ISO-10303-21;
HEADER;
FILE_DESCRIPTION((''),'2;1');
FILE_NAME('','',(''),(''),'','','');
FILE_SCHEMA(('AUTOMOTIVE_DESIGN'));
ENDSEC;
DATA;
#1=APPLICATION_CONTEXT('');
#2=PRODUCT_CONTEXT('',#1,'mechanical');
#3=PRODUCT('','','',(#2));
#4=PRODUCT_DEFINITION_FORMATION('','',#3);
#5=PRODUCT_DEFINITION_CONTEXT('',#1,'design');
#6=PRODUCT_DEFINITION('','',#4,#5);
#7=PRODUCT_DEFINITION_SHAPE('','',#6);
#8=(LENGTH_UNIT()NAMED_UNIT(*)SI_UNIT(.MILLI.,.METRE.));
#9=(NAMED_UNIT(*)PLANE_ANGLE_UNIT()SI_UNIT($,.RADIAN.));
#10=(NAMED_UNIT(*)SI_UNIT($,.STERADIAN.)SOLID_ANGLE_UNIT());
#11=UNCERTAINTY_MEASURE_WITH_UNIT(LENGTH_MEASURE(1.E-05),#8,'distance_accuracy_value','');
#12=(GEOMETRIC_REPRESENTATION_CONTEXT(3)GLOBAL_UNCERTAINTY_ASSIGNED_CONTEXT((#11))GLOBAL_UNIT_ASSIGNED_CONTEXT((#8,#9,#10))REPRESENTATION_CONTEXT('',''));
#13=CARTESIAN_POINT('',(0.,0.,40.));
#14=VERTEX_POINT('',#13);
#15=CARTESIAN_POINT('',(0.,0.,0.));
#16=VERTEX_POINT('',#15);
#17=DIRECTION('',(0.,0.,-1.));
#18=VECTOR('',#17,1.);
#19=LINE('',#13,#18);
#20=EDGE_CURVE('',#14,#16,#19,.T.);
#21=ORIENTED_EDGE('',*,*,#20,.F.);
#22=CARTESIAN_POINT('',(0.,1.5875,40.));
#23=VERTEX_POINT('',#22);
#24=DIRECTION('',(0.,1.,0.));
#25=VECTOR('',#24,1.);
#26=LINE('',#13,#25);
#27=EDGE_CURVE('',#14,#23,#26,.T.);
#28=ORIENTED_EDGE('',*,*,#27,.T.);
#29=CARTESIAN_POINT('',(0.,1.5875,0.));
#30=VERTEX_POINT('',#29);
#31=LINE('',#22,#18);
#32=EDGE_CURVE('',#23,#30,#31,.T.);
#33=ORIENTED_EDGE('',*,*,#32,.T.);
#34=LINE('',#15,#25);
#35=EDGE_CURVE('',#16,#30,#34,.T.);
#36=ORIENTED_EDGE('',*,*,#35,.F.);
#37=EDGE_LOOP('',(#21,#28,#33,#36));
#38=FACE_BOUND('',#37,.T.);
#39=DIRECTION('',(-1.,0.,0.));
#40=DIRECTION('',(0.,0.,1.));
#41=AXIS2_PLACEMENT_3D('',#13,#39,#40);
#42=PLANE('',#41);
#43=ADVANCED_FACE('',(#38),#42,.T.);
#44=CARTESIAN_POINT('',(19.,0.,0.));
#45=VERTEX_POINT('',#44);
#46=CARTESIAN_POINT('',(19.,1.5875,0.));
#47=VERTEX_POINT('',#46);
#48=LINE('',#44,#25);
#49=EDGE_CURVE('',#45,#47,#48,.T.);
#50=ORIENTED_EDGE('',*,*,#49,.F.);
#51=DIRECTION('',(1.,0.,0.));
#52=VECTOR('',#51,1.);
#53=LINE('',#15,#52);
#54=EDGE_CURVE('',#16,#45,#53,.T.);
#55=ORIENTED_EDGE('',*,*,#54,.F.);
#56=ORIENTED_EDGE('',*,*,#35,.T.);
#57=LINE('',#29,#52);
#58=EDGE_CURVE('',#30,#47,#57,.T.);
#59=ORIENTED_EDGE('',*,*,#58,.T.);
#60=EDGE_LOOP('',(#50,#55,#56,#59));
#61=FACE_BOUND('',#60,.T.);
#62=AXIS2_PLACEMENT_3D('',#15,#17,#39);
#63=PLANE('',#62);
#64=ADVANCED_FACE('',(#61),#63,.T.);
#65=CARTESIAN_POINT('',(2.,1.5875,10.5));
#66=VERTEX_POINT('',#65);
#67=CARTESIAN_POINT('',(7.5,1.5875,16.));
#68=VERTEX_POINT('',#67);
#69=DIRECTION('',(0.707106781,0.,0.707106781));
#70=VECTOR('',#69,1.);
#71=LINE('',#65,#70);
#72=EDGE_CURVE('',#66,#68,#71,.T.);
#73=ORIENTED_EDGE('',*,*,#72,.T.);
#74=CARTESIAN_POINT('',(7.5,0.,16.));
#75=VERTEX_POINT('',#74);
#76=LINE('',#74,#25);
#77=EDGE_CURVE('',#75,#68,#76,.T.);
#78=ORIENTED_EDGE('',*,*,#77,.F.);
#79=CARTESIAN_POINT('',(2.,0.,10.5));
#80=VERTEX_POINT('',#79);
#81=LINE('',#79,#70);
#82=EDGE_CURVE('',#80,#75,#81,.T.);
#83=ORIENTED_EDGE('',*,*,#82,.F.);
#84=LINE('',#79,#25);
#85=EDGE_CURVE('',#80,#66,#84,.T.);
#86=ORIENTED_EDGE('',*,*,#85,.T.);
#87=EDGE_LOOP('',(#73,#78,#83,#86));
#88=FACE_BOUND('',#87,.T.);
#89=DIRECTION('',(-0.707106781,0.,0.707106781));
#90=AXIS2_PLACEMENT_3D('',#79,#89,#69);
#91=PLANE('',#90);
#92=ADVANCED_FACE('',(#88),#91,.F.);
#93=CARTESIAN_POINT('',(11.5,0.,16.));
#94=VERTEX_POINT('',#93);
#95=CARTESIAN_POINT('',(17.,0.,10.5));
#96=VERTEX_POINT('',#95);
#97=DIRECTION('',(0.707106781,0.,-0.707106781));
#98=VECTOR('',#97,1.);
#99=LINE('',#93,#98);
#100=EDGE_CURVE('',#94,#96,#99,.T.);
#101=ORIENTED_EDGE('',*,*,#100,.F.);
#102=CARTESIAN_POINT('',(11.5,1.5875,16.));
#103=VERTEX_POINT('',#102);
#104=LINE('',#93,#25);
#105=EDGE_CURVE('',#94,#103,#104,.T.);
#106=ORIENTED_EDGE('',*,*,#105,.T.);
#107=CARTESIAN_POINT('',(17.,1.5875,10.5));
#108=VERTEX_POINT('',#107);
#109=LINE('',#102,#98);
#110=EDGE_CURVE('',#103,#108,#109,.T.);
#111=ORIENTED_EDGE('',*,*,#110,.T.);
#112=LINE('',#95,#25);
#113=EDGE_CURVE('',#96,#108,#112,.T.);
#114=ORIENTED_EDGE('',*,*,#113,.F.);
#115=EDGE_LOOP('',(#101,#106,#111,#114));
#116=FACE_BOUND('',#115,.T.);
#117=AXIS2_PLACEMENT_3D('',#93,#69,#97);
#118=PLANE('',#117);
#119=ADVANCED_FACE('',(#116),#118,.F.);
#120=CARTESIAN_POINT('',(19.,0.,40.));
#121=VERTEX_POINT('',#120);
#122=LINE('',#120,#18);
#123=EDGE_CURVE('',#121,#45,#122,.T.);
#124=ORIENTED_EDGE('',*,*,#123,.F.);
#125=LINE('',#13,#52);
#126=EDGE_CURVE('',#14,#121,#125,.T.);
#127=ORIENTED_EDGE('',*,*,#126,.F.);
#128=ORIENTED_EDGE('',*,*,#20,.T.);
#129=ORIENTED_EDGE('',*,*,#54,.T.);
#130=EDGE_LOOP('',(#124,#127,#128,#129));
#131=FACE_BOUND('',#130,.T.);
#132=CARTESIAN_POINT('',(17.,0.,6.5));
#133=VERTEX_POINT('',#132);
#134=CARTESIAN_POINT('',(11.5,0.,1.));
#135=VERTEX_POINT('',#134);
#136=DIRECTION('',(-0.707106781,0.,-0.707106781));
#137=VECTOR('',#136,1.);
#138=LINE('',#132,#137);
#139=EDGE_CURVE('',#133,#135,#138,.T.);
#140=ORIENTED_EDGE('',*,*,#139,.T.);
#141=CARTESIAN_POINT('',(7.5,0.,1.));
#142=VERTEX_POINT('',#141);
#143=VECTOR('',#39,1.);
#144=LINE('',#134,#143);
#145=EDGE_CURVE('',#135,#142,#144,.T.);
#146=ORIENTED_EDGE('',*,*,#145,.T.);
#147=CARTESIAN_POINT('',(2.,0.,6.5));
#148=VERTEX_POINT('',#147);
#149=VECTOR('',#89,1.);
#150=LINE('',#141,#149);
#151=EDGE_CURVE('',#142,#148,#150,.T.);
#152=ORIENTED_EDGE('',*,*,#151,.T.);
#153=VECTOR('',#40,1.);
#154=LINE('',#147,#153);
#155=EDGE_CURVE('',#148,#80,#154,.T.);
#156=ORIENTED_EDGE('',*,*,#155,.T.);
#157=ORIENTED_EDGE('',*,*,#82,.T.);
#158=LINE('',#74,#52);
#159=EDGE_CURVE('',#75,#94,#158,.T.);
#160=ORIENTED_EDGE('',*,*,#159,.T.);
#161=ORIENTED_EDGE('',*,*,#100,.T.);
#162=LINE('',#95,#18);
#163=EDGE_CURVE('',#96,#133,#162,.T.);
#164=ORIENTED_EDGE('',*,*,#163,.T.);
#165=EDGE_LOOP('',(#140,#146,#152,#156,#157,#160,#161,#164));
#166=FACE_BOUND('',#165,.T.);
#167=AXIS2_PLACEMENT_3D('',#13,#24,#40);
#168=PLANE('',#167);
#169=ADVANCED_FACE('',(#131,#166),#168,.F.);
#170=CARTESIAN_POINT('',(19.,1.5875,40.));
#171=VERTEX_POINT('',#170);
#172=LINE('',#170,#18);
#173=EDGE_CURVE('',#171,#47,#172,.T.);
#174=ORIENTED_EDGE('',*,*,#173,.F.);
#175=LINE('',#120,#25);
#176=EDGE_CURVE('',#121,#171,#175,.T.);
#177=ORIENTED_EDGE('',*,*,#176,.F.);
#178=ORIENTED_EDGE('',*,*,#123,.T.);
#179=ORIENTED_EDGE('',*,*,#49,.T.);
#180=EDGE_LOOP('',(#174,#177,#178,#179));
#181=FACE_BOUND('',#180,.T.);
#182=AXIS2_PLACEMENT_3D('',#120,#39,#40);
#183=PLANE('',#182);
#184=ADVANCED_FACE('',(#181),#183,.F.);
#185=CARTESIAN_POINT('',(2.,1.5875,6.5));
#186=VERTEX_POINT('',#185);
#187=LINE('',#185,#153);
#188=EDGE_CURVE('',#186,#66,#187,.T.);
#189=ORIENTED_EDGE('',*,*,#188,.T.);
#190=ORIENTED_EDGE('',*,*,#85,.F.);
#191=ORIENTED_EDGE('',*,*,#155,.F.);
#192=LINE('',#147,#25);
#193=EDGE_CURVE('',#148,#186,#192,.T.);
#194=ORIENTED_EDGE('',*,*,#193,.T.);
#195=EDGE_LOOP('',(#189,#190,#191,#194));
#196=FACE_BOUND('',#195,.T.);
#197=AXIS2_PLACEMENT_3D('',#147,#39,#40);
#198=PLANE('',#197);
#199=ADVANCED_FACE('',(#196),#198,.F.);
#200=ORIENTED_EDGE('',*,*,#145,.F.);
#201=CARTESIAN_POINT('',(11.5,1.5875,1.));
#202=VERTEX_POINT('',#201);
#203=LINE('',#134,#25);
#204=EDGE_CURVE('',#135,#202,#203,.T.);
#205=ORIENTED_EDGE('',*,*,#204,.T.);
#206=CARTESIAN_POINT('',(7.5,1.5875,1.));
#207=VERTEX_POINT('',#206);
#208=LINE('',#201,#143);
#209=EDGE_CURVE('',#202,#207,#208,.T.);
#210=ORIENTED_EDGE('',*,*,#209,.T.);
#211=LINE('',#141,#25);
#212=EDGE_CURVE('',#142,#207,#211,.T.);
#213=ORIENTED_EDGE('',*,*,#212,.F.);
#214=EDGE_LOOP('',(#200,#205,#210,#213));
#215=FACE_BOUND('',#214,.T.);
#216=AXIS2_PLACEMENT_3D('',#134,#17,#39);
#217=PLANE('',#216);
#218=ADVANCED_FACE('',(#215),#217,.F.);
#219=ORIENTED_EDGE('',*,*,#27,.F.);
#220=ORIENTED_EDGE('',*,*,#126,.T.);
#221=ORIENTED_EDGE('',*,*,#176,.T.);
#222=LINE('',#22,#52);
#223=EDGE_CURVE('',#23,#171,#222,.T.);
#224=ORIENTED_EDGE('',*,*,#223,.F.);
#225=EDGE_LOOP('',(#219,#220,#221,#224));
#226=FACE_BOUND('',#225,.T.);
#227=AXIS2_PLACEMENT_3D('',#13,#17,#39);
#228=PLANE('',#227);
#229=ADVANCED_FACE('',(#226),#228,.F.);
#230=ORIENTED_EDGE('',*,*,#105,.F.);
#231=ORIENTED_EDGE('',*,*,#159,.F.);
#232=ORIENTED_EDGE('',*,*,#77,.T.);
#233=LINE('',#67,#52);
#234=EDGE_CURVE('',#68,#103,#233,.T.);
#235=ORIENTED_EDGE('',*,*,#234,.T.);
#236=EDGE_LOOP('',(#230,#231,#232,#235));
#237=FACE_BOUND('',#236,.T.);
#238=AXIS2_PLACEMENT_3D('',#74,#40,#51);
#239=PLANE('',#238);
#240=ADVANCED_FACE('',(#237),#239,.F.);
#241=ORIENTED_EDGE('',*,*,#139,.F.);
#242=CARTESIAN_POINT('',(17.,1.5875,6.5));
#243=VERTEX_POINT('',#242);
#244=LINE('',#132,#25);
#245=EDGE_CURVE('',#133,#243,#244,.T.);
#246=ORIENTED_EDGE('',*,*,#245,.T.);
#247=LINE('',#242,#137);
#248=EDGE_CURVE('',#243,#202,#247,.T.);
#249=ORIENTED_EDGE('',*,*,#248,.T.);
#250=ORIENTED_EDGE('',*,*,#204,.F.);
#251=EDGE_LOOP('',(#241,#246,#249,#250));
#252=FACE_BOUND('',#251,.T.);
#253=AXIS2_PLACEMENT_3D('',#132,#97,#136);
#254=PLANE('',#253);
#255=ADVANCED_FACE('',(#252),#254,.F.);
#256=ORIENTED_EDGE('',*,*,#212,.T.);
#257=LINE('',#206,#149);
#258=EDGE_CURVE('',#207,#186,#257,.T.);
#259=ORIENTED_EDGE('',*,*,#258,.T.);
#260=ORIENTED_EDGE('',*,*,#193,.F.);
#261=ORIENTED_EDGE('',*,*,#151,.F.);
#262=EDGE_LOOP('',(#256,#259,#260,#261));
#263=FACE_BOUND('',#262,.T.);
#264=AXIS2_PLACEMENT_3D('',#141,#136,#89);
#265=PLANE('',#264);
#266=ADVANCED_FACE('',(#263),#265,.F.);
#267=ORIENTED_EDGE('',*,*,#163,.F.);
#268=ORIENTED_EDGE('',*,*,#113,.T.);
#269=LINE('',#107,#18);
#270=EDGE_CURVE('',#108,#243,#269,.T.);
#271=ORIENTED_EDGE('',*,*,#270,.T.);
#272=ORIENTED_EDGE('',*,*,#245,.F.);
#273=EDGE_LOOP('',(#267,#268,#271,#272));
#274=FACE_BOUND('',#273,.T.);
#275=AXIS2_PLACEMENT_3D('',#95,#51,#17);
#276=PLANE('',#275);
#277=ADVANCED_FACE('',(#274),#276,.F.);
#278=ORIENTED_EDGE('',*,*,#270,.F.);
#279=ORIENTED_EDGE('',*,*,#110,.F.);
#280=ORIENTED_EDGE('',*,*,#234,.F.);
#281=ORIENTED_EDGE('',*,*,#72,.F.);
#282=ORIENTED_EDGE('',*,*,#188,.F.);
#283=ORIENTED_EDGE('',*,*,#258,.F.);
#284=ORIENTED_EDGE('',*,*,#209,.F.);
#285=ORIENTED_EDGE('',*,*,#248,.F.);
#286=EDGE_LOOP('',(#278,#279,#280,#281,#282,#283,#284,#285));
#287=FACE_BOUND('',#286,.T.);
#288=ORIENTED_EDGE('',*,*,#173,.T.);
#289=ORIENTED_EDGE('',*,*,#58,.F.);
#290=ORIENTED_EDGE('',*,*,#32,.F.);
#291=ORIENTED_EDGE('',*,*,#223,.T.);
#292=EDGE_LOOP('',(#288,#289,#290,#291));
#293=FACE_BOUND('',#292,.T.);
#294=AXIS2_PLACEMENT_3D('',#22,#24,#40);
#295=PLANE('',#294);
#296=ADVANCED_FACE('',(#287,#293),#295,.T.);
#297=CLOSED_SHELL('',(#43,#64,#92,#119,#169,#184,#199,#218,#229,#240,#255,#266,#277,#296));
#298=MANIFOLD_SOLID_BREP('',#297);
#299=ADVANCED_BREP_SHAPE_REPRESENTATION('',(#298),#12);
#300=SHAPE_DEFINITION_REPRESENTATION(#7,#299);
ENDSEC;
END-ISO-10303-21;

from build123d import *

# Parameters (mm, degrees)
SKETCH1_W           = 19
SKETCH1_H           = 1.5875
BOSS_EXTRUDE1_DEPTH = 40
CUT_EXTRUDE1_DEPTH  = 45.31162552


with BuildPart() as part:
    # Sketch1 → Boss-Extrude1 (new body)
    with BuildSketch(Plane.XY):
        with Locations((9.5, 0.79375)):
            Rectangle(SKETCH1_W, SKETCH1_H)
    extrude(amount=BOSS_EXTRUDE1_DEPTH)

    # Sketch2 → Cut-Extrude1 (cut, through all)
    with BuildSketch(Plane(origin=(0, 1.5875, 0), x_dir=(1, 0, 0), z_dir=(0, 1, 0))):
        Polygon((2, -10.5), (7.5, -16), (11.5, -16), (17, -10.5), (17, -6.5), (11.5, -1), (7.5, -1), (2, -6.5), align=None)
    extrude(amount=-CUT_EXTRUDE1_DEPTH, mode=Mode.SUBTRACT)


solid = part.part
